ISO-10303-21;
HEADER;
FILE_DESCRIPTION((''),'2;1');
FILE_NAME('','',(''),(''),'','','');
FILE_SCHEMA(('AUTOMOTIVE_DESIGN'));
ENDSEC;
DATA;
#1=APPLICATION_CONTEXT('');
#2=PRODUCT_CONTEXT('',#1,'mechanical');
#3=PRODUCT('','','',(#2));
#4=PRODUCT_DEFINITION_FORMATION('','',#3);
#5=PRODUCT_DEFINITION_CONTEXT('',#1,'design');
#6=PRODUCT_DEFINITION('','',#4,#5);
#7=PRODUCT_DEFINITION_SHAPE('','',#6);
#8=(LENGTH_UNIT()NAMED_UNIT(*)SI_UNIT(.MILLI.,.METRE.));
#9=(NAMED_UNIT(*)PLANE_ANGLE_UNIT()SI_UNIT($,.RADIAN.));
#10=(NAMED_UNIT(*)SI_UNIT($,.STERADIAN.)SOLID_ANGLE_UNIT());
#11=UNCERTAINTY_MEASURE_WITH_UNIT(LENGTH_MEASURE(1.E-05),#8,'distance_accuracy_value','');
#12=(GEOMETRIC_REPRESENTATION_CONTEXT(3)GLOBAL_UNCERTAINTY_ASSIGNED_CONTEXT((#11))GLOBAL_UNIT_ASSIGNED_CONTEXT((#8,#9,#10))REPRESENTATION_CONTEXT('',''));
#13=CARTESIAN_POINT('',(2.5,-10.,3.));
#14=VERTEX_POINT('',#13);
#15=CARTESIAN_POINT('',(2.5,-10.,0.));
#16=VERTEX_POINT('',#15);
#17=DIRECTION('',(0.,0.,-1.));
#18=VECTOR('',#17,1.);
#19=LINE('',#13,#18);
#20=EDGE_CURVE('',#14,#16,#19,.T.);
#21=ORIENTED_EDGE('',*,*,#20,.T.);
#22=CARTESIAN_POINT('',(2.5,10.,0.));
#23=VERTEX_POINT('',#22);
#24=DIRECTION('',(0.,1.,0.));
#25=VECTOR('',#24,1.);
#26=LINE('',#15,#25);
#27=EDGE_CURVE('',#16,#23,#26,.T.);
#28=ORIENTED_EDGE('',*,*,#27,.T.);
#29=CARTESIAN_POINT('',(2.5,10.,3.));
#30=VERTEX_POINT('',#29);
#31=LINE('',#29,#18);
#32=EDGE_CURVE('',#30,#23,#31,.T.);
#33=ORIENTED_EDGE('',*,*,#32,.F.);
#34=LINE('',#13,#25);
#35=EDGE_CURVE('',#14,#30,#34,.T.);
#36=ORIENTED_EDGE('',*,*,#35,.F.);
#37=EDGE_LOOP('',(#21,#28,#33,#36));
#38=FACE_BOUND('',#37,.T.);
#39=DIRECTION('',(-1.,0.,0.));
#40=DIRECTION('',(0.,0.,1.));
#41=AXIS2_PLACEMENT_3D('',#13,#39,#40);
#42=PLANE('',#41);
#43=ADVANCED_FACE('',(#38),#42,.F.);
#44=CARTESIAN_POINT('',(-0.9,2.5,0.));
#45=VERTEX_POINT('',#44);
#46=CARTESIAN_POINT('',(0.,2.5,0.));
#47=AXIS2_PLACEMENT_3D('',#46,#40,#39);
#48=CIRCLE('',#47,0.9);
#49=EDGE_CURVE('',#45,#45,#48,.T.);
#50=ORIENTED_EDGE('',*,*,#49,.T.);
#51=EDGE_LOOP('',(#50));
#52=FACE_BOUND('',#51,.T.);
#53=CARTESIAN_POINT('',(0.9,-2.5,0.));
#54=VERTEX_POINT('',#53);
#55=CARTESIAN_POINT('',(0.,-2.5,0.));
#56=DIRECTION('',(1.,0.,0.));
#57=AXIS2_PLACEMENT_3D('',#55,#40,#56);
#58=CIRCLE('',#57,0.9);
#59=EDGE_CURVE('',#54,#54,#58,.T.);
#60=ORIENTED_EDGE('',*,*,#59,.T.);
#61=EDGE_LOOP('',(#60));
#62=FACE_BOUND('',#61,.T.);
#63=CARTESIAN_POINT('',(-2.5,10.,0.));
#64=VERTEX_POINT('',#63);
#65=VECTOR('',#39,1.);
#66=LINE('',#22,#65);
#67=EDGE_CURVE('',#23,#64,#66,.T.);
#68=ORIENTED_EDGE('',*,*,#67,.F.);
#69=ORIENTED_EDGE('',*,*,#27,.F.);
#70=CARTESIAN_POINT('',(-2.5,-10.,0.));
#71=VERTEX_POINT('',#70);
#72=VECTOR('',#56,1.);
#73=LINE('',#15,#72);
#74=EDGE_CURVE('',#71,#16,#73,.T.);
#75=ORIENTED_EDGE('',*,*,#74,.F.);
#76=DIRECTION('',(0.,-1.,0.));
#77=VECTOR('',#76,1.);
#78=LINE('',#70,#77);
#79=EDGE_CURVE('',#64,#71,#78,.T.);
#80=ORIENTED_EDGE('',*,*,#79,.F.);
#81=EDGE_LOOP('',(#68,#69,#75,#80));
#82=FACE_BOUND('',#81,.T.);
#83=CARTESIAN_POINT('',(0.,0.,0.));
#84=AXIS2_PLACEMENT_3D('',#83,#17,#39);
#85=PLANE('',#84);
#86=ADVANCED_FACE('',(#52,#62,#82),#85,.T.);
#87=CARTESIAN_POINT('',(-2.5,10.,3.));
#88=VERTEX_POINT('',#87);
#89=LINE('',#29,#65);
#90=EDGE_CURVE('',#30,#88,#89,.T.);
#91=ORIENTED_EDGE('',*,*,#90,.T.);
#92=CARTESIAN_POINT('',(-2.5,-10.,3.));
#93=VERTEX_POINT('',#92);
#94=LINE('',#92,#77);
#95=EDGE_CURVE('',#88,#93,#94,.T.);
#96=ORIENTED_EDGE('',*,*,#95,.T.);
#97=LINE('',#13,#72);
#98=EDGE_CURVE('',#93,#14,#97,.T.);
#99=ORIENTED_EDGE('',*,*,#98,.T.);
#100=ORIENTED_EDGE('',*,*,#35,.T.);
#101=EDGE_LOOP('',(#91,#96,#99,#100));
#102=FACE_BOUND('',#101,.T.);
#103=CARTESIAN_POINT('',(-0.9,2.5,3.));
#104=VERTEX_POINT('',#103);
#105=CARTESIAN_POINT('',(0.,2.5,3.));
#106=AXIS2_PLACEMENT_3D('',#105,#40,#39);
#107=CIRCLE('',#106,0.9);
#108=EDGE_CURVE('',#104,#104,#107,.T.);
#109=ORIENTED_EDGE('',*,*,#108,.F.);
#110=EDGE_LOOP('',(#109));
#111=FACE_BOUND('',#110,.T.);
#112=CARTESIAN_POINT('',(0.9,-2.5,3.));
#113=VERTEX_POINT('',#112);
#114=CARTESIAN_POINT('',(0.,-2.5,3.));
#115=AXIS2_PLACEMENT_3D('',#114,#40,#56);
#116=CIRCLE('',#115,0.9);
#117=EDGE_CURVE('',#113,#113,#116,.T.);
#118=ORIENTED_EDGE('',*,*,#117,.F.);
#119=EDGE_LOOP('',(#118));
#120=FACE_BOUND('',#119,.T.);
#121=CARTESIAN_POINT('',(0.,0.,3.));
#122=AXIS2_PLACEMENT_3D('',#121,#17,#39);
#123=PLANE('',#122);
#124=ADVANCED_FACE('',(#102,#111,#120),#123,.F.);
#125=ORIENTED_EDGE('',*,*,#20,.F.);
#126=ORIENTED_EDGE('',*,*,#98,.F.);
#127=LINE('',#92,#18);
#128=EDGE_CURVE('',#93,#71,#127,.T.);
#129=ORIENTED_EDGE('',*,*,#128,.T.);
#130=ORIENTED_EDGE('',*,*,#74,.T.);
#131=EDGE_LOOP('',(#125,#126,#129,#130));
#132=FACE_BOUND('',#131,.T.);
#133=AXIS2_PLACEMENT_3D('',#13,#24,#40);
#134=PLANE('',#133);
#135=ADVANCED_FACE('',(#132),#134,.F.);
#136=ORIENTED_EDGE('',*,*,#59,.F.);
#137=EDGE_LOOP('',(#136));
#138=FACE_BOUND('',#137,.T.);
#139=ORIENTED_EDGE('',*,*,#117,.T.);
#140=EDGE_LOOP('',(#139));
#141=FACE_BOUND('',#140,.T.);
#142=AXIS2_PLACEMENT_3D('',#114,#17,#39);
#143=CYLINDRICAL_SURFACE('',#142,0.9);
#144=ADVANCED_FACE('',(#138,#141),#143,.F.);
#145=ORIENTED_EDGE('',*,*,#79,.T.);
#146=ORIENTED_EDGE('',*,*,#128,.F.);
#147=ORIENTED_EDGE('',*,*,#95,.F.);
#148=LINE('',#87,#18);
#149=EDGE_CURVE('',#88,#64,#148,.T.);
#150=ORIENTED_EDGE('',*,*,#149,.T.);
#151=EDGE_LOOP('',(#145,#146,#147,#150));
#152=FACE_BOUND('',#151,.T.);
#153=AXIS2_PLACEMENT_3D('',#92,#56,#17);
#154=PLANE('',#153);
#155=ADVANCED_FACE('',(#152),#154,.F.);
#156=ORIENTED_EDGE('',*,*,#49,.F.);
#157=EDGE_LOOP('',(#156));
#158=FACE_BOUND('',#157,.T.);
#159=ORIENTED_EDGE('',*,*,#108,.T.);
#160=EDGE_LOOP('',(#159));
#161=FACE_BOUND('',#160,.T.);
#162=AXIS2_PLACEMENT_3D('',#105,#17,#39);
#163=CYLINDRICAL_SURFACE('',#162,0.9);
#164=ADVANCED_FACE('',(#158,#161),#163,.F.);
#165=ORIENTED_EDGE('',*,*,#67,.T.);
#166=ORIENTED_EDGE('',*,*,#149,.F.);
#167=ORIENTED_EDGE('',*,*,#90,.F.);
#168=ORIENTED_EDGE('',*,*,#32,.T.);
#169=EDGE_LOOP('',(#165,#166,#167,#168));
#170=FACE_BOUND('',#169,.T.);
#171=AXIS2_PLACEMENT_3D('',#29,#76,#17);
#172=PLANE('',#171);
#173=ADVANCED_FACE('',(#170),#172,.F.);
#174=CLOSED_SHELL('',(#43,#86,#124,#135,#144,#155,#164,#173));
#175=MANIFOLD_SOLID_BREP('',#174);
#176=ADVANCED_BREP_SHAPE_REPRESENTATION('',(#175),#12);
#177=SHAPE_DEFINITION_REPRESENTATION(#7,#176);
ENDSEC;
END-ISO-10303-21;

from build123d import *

# Parameters (mm, degrees)
SKETCH1_W           = 20
SKETCH1_H           = 5
SKETCH1_R           = 0.9
BOSS_EXTRUDE1_DEPTH = 3


with BuildPart() as part:
    # Sketch1 → Boss-Extrude1 (new body)
    with BuildSketch(Plane(origin=(0, 0, 0), x_dir=(0, 1, 0), z_dir=(0, 0, 1))):
        Rectangle(SKETCH1_W, SKETCH1_H)
        with Locations(Location((-2.5, 0, 0), (0, 0, 270))):
            Circle(SKETCH1_R, mode=Mode.SUBTRACT)
        with Locations(Location((2.5, 0, 0), (0, 0, 90))):
            Circle(SKETCH1_R, mode=Mode.SUBTRACT)
    extrude(amount=BOSS_EXTRUDE1_DEPTH)


solid = part.part
